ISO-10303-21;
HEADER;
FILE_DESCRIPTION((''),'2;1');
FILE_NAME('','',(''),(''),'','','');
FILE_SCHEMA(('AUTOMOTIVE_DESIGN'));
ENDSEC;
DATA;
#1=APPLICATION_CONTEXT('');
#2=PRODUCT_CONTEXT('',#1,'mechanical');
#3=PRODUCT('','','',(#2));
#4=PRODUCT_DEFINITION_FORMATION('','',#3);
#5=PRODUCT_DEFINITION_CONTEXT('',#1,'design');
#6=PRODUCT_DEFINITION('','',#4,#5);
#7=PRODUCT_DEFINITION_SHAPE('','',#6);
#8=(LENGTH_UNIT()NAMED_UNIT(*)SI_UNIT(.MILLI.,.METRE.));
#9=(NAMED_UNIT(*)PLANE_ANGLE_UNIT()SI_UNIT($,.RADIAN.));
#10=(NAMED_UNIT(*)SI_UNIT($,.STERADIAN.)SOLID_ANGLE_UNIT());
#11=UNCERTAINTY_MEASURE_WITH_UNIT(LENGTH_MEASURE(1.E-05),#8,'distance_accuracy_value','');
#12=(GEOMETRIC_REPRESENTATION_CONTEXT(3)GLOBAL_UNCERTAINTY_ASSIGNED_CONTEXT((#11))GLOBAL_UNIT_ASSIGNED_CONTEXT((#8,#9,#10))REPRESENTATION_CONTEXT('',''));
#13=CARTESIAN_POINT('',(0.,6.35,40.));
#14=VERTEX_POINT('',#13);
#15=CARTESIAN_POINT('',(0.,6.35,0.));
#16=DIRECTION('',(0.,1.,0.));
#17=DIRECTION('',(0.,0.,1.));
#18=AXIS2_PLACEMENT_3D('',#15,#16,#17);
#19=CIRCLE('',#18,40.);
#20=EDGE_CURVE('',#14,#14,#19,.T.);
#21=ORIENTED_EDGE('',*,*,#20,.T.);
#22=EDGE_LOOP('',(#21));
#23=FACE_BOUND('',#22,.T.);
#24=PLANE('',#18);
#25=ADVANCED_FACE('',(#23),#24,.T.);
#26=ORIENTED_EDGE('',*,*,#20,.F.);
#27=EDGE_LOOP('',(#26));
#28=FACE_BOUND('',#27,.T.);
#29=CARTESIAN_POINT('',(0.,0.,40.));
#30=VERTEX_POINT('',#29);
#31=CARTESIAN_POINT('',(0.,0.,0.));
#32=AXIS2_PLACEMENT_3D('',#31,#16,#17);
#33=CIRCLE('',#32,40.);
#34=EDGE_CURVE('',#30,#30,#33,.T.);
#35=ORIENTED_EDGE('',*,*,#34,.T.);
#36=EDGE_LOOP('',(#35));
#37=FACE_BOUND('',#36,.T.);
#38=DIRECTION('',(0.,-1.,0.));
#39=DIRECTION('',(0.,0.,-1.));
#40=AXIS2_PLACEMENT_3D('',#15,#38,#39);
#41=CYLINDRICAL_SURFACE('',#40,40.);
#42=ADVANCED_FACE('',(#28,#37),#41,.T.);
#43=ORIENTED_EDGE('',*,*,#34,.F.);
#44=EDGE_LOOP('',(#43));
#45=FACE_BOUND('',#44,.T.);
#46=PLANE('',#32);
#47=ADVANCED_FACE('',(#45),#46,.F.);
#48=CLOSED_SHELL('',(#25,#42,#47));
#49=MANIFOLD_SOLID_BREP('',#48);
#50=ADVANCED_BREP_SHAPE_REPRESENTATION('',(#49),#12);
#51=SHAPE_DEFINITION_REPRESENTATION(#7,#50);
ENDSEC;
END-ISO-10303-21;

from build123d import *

# Parameters (mm, degrees)
ESQUISSE1_R        = 40
BOSS_EXTRU_1_DEPTH = 6.35


with BuildPart() as part:
    # Esquisse1 → Boss.-Extru.1 (new body)
    with BuildSketch(Plane(origin=(0, 0, 0), x_dir=(1, 0, 0), z_dir=(0, 1, 0))):
        with Locations(Location((0, 0, 0), (0, 0, 270))):
            Circle(ESQUISSE1_R)
    extrude(amount=BOSS_EXTRU_1_DEPTH)


solid = part.part
